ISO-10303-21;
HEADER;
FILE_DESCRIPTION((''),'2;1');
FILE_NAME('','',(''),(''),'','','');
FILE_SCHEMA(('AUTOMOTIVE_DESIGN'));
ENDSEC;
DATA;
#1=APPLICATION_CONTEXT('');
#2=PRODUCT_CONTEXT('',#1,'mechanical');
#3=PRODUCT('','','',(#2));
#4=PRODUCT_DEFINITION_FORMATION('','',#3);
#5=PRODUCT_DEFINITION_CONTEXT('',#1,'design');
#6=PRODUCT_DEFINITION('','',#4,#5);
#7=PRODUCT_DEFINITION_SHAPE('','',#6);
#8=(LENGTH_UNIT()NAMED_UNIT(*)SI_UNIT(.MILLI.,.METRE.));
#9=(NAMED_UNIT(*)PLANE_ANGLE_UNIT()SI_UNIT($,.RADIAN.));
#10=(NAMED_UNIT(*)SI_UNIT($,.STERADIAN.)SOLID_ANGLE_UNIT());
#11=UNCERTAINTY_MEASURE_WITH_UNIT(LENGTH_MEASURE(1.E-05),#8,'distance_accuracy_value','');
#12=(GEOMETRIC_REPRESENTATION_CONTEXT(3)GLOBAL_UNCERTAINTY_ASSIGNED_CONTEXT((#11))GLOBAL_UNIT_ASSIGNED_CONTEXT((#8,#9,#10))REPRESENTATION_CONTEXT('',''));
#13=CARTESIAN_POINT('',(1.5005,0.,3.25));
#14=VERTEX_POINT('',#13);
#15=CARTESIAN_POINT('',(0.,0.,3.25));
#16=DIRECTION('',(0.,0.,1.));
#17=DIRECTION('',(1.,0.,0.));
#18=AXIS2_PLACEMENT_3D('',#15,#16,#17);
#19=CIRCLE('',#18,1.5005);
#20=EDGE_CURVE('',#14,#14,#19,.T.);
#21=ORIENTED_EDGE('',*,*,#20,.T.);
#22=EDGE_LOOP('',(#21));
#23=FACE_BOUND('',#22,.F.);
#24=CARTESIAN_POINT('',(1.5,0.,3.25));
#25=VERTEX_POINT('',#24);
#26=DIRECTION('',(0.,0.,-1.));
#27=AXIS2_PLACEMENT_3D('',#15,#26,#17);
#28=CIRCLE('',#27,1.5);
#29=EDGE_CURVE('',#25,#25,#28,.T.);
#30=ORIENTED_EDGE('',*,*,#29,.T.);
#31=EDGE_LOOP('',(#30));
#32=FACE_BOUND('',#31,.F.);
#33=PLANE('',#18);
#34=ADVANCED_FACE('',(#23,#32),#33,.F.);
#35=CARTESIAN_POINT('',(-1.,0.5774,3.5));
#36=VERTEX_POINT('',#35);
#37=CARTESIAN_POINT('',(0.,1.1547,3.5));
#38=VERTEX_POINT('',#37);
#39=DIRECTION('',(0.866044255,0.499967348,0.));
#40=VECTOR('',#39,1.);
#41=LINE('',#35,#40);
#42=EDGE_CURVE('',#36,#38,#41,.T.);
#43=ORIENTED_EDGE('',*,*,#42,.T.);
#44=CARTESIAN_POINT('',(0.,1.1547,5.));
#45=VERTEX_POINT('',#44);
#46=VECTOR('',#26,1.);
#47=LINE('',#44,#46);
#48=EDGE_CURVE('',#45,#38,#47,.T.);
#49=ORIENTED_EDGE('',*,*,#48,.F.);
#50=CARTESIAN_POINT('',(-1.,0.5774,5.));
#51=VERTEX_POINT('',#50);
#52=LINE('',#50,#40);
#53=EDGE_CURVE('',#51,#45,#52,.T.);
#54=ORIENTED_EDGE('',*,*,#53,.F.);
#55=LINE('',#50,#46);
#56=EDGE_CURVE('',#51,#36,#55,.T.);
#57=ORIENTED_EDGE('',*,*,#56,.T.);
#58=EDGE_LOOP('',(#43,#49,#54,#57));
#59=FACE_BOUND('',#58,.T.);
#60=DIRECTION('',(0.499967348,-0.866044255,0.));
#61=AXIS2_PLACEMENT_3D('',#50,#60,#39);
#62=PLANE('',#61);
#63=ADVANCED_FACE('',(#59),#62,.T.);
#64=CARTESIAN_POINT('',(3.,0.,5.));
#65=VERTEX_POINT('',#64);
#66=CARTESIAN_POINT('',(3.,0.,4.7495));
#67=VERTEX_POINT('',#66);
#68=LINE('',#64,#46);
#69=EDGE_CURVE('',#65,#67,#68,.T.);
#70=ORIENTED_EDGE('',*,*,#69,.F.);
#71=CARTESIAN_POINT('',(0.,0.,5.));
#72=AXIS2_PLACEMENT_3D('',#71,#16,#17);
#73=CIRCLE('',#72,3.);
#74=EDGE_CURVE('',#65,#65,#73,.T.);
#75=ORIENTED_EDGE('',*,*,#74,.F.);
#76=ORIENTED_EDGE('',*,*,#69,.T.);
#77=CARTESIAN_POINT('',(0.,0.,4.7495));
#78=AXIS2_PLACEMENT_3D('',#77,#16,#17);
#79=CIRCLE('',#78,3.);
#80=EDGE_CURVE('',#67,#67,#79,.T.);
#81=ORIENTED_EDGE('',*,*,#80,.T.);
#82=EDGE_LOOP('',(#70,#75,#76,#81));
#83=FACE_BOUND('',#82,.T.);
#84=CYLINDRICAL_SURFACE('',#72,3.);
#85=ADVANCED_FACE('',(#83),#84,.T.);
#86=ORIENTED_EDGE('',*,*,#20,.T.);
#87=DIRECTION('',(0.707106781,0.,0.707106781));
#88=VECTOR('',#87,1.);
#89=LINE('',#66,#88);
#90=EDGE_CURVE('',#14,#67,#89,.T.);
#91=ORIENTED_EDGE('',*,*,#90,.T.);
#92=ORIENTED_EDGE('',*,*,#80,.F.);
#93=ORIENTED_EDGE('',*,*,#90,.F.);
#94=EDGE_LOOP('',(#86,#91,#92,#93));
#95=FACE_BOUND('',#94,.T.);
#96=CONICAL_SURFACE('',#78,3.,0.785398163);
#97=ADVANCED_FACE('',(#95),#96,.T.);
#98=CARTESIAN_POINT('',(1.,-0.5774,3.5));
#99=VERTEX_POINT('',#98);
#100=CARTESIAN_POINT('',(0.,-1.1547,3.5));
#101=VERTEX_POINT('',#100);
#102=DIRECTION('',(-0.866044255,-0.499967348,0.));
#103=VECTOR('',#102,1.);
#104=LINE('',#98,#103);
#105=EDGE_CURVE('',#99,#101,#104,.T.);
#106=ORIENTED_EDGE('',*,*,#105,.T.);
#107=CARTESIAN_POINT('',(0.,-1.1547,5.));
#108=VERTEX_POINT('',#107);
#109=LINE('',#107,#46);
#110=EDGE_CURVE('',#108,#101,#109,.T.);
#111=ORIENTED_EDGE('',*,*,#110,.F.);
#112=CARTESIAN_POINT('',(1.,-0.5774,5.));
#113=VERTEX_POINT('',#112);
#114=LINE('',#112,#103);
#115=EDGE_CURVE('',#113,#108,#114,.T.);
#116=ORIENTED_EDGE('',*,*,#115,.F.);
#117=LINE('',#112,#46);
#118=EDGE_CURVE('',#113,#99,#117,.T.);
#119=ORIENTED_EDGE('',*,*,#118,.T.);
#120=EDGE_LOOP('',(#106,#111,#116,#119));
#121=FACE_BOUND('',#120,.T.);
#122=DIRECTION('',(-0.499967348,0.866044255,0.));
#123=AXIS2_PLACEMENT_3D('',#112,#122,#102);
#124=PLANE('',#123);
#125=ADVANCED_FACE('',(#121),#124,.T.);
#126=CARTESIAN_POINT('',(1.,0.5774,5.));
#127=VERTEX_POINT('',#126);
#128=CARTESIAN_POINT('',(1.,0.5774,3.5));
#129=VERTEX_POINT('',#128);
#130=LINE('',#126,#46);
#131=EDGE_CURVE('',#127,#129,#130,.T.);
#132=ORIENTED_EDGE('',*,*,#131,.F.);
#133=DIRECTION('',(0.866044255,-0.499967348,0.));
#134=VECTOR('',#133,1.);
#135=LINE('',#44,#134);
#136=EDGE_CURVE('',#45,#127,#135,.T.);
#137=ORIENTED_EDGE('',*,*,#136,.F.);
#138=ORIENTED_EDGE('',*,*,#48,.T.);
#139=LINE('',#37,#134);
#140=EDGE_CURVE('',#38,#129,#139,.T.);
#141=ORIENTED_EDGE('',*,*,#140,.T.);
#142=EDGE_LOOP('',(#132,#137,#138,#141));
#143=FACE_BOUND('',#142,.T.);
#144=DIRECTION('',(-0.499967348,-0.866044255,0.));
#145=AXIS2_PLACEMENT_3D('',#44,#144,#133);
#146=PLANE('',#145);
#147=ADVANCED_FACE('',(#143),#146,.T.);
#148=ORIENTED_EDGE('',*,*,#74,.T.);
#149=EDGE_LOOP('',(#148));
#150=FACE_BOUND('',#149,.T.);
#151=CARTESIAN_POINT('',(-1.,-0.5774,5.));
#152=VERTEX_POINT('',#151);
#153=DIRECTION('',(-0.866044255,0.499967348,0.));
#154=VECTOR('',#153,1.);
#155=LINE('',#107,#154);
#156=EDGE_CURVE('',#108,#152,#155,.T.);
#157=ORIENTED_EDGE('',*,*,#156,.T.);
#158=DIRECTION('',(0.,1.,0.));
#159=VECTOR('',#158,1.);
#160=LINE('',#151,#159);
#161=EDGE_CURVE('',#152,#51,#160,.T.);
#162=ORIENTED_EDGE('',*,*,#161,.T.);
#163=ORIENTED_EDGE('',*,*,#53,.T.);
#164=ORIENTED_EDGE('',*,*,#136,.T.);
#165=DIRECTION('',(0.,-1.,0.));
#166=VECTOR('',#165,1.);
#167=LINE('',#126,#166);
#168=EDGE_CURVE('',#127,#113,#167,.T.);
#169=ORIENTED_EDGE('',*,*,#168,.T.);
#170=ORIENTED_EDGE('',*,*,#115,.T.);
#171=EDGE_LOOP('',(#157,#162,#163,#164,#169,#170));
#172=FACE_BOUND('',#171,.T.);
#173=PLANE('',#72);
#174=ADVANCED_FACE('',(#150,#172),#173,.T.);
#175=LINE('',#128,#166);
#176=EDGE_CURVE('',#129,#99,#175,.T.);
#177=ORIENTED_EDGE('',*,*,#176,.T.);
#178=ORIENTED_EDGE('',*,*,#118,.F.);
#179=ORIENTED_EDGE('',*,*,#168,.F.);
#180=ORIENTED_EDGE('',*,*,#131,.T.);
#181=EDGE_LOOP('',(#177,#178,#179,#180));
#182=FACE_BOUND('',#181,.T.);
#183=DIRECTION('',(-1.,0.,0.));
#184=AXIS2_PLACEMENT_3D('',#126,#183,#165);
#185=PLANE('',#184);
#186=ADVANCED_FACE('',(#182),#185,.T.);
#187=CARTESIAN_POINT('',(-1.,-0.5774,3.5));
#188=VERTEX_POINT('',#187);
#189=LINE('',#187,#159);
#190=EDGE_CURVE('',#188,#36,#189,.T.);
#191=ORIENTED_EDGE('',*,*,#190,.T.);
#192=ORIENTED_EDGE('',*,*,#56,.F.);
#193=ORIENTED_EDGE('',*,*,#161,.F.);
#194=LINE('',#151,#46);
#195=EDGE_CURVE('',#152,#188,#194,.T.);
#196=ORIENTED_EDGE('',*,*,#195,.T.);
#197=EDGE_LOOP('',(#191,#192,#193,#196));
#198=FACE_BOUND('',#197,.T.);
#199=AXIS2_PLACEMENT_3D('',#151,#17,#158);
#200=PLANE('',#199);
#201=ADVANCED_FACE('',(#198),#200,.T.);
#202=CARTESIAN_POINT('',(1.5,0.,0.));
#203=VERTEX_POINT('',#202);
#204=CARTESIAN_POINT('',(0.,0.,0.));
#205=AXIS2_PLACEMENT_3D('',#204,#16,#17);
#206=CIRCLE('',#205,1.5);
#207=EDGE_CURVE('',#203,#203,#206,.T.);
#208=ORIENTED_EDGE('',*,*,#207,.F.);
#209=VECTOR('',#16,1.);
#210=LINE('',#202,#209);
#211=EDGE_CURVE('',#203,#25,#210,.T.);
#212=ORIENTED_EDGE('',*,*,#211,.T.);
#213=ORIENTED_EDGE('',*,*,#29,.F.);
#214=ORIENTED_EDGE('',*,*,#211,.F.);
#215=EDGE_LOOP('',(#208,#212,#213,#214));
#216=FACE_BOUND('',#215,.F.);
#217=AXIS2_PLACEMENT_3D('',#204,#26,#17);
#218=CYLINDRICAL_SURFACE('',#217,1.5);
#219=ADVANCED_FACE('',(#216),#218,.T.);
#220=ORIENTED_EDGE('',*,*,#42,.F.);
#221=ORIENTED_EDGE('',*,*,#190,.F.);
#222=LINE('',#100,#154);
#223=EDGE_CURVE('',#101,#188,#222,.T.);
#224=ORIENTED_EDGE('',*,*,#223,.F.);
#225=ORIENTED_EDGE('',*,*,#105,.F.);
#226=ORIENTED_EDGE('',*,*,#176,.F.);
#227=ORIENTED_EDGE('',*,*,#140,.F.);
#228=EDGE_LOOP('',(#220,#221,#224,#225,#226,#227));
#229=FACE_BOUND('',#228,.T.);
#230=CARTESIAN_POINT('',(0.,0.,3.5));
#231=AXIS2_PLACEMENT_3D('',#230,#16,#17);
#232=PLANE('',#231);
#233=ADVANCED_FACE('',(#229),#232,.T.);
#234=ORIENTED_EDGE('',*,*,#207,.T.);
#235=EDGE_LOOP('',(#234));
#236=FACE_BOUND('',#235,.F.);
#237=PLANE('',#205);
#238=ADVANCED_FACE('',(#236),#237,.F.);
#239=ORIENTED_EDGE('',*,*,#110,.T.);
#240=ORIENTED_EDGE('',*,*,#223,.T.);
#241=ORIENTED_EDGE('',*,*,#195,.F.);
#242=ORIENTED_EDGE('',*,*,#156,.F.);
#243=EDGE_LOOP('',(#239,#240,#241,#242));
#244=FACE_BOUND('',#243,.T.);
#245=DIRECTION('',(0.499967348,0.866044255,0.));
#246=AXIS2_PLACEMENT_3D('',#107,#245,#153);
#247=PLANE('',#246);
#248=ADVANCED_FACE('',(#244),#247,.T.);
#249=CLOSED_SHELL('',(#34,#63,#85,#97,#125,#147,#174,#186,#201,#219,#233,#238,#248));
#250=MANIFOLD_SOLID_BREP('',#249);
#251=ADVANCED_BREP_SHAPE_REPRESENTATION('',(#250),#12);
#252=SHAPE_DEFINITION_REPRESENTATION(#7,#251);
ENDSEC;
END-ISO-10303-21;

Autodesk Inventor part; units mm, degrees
ref_plane "YZ Plane" through (0, 0, 0) normal (1, 0, 0) x (0, 1, 0)
ref_plane "XZ Plane" through (0, 0, 0) normal (0, 1, 0) x (-1, 0, 0)
ref_plane "XY Plane" through (0, 0, 0) normal (0, 0, 1) x (1, 0, 0)
sketch "スケッチ1" plane through (0, 0, 0) normal (0, 0, 1) x (1, 0, 0)
  circle A0 centre (0, 0) radius 1.5
  dimension "d0" = 3
extrude "押し出し1" add sketch "スケッチ1" along normal blind 5
thread "ねじ1" size "M3x0.5" class "6g" standard "ANSI Metric M Profile" full length
sketch "スケッチ2" plane through (0, 0, 5) normal (0, 0, 1) x (1, 0, 0)
  circle A0 centre (0, 0) radius 3
  dimension "d5" = 6
extrude "押し出し2" add sketch "スケッチ2" against normal blind 1.75
chamfer "面取り1" distance 1.5 angle 45 1 edges at (-3, 0, 3.25)
sketch "スケッチ3" plane through (0, 0, 5) normal (0, 0, 1) x (1, 0, 0)
  line L0 (0, 1.1547) -> (1, 0.5774)
  line L1 (1, 0.5774) -> (1, -0.5774)
  line L2 (1, -0.5774) -> (0, -1.1547)
  line L3 (0, -1.1547) -> (-1, -0.5774)
  line L4 (-1, -0.5774) -> (-1, 0.5774)
  line L5 (-1, 0.5774) -> (0, 1.1547)
  point P0 (0, 0)
  point P1 (0, 0)
  dimension "d11" = 2
extrude "押し出し3" cut sketch "スケッチ3" against normal blind 1.5
properties part number "m3皿ネジ5 (1)" material "鉄 灰色"
